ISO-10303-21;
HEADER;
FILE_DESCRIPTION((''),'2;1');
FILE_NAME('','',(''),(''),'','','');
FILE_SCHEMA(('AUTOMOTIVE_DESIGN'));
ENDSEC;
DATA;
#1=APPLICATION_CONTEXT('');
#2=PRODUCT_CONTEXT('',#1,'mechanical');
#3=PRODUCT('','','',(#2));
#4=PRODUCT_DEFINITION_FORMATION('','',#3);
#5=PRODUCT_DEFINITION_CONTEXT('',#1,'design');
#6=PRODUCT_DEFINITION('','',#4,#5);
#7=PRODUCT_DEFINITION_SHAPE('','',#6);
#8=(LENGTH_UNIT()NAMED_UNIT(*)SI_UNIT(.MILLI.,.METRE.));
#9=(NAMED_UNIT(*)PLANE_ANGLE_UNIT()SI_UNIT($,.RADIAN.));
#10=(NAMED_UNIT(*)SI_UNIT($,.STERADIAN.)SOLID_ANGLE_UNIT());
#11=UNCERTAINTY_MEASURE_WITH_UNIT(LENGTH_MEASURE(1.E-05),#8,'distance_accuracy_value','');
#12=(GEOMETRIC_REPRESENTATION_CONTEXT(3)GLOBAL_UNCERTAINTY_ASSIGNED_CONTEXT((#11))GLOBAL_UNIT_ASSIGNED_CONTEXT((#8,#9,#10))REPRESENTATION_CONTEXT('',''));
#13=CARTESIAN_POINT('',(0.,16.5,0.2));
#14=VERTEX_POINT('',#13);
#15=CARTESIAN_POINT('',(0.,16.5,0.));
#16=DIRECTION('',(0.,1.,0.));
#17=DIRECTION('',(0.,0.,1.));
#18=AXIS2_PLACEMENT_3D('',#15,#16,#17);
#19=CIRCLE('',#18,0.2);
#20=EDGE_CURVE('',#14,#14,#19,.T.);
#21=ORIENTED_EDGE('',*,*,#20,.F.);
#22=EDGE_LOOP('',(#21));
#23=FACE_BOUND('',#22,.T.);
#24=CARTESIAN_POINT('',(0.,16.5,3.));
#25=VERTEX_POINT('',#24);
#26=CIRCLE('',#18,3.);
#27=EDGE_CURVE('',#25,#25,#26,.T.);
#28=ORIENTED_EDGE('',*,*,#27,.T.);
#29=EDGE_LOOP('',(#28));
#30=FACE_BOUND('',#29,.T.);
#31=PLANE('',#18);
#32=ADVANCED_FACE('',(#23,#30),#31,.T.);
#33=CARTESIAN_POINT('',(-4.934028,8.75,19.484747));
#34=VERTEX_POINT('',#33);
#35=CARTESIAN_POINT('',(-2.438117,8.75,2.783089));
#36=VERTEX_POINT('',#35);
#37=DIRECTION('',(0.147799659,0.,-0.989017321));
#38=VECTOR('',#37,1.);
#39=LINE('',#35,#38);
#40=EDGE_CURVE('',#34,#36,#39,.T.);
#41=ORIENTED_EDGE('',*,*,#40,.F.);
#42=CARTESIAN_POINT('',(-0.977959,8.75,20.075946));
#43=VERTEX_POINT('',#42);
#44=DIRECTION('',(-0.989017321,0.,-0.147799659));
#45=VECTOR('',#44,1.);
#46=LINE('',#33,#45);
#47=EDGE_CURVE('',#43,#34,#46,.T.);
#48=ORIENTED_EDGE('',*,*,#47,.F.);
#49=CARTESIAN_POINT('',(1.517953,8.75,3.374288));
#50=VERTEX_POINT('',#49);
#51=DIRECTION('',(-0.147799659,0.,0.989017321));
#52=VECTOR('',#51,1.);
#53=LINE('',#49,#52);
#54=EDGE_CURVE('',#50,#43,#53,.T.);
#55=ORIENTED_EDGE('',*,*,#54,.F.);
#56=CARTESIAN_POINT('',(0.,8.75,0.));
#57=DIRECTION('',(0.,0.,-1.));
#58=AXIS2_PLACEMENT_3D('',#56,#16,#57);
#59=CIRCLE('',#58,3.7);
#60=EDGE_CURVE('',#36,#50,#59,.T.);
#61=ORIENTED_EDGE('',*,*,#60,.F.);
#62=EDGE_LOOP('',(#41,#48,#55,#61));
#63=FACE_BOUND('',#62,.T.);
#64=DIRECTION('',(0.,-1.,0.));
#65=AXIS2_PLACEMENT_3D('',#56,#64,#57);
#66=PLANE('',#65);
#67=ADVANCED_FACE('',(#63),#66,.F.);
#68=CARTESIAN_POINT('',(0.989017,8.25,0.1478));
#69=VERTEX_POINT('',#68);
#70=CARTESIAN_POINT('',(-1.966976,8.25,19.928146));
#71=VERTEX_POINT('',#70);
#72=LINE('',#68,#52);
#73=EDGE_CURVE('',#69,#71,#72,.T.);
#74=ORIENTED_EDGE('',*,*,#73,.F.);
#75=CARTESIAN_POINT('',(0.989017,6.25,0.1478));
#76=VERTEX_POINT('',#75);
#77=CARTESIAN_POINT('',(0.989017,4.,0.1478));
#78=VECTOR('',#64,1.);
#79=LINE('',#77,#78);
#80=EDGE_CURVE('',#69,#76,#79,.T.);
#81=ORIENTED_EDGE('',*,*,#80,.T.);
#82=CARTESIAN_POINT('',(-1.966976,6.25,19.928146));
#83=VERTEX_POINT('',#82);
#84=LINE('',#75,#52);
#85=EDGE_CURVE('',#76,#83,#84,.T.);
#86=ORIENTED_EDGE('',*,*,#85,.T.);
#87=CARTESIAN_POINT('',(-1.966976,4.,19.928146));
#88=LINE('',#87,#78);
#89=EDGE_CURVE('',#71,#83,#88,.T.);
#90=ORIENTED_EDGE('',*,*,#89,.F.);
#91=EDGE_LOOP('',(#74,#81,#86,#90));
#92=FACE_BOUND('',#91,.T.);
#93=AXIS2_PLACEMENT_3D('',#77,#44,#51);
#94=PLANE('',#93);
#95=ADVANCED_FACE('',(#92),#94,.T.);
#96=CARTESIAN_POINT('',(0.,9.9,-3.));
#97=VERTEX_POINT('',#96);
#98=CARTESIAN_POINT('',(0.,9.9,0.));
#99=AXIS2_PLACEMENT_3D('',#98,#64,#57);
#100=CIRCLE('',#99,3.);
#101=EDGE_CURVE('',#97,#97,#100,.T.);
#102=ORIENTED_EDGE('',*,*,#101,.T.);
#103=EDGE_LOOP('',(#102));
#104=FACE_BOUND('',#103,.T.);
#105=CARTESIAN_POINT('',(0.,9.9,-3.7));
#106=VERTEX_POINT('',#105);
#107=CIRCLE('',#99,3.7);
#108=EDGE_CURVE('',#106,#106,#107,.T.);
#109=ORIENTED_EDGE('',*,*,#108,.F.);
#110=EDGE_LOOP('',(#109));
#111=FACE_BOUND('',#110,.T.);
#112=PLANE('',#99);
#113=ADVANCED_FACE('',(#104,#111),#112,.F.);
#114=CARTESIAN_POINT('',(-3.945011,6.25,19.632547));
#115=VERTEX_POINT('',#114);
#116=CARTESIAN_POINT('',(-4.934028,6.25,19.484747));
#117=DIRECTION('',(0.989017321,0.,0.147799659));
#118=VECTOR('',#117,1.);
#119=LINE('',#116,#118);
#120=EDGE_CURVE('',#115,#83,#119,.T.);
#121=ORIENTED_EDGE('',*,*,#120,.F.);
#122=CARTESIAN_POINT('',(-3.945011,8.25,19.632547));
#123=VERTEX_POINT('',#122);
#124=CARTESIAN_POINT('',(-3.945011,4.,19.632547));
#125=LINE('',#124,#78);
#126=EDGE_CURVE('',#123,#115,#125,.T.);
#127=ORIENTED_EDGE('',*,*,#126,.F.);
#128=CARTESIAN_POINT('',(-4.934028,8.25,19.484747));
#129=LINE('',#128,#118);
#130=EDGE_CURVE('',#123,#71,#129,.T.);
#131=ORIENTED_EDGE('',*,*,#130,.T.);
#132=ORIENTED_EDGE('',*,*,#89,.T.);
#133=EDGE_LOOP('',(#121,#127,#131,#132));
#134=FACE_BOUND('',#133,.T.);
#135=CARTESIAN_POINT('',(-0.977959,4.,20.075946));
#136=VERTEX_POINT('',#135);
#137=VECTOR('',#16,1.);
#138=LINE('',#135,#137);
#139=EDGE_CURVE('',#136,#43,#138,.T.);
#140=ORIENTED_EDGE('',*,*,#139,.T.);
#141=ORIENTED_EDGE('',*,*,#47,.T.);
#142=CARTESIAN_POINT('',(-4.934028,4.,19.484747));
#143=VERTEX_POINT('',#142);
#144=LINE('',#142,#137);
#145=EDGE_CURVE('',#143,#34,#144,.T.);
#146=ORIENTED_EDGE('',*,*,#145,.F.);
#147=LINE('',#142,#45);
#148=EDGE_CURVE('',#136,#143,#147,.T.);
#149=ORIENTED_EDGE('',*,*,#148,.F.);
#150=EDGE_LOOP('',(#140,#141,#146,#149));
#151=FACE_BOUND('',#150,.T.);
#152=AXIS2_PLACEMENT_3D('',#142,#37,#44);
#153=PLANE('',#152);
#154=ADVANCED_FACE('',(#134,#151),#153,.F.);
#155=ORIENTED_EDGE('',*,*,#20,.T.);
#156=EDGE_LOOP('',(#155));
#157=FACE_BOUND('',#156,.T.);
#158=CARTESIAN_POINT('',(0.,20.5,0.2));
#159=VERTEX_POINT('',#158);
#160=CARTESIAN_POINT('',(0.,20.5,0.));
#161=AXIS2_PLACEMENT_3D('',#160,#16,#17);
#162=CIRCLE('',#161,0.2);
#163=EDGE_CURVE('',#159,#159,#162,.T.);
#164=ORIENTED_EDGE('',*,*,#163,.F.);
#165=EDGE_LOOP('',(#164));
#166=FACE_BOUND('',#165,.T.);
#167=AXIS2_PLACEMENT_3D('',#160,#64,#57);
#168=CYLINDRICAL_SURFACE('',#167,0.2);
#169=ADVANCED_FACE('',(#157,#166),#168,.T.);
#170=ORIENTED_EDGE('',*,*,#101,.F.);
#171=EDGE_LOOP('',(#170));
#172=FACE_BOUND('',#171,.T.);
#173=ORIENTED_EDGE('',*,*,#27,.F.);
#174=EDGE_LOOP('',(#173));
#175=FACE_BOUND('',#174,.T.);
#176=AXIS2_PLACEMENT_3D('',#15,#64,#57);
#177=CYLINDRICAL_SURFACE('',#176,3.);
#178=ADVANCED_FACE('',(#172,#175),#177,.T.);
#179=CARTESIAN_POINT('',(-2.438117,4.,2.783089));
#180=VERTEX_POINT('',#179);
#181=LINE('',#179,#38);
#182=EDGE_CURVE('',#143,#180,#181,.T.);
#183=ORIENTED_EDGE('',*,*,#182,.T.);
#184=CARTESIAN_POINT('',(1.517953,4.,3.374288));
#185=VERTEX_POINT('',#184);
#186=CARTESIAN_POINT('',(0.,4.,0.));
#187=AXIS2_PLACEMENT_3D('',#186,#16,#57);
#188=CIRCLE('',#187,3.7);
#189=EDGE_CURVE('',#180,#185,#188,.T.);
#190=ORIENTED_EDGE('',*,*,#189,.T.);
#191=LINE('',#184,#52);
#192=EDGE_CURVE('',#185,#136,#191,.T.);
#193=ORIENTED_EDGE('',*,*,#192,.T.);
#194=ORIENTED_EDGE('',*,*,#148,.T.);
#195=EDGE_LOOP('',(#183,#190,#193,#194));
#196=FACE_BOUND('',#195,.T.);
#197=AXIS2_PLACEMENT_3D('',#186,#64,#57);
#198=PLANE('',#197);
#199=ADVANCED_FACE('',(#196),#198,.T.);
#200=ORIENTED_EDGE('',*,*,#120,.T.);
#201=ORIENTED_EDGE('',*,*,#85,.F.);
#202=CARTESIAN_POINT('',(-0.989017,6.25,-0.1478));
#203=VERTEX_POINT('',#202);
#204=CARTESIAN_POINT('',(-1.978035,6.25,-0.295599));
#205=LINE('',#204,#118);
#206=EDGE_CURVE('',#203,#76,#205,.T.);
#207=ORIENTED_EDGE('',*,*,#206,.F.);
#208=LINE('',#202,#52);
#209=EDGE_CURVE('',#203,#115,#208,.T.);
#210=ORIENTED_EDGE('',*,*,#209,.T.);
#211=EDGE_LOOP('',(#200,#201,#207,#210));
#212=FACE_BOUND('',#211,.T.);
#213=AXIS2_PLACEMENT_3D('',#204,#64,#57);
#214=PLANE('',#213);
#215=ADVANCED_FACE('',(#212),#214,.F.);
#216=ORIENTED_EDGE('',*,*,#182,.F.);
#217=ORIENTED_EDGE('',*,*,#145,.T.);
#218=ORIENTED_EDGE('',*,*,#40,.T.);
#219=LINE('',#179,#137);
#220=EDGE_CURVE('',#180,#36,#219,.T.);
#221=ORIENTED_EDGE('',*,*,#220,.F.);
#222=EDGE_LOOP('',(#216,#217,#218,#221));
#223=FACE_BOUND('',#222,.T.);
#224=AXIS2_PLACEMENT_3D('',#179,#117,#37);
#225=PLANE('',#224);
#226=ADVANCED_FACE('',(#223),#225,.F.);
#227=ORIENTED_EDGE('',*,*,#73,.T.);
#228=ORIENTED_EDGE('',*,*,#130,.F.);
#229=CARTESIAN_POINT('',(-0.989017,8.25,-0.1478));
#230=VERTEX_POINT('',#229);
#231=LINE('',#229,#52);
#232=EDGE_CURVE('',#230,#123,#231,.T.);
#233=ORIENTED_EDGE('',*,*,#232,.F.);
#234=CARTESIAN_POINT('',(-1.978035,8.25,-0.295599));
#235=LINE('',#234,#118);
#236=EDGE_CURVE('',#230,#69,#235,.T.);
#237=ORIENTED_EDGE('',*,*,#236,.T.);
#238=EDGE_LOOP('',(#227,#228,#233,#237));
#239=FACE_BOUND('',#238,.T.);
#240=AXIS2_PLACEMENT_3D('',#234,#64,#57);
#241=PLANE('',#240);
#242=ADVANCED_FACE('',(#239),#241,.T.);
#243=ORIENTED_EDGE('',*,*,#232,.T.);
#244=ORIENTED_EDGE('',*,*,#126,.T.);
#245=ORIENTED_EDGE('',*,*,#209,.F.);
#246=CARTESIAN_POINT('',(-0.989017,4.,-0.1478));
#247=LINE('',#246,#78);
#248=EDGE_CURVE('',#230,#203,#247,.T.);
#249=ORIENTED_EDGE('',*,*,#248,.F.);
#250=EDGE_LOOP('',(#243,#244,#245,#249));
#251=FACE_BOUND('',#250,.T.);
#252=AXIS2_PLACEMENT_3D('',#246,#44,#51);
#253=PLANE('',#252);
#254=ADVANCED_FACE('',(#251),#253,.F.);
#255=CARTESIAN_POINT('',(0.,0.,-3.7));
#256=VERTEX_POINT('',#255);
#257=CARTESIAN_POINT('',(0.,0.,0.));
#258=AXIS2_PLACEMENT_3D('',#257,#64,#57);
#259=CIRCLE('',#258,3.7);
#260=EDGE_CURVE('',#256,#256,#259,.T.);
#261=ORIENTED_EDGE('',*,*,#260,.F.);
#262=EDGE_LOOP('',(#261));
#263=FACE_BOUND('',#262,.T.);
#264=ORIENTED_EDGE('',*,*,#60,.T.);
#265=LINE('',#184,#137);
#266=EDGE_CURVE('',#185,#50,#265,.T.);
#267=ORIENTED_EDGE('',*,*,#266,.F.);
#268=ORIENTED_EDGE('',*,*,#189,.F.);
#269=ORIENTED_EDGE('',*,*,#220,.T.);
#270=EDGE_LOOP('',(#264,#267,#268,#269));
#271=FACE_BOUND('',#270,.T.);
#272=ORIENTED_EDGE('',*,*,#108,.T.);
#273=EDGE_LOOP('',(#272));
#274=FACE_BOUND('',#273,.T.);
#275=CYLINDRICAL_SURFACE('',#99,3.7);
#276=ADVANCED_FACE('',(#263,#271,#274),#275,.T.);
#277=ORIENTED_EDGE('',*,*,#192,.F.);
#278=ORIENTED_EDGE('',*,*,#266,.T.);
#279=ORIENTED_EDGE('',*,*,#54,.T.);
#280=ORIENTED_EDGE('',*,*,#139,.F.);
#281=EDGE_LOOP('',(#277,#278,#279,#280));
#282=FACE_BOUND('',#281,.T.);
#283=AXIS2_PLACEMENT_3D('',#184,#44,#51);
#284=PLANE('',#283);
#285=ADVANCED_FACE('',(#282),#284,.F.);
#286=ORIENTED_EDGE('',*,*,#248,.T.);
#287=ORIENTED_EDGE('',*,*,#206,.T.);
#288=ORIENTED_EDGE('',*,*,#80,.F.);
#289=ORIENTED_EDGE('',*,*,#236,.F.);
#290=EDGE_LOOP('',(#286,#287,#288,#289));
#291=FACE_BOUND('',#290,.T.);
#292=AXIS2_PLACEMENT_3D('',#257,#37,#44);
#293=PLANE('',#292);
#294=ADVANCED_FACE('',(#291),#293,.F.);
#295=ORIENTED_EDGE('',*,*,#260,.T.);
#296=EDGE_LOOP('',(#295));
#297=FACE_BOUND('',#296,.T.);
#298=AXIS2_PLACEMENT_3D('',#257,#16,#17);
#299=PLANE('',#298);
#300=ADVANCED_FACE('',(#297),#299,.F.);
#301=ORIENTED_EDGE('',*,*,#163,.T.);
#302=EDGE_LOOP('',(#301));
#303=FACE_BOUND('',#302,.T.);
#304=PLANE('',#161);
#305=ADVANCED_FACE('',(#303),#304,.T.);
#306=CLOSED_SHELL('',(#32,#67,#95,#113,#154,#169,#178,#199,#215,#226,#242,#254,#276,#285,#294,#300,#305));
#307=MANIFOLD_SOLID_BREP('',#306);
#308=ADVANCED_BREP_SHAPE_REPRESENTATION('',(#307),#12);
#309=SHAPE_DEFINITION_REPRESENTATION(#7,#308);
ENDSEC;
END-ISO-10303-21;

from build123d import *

# Parameters (mm, degrees)
SKETCH1_R           = 3
BOSS_EXTRUDE1_DEPTH = 16.5
SKETCH2_R           = 3.7
BOSS_EXTRUDE2_DEPTH = 9.9
BOSS_EXTRUDE3_START = -8.75
BOSS_EXTRUDE3_DEPTH = 4.75
SKETCH4_R           = 0.2
BOSS_EXTRUDE4_DEPTH = 4
SKETCH5_W           = 2
SKETCH5_H           = 2
CUT_EXTRUDE1_DEPTH  = 20


with BuildPart() as part:
    # Sketch1 → Boss-Extrude1 (new body)
    with BuildSketch(Plane(origin=(0, 0, 0), x_dir=(1, 0, 0), z_dir=(0, 1, 0))):
        Circle(SKETCH1_R)
    extrude(amount=BOSS_EXTRUDE1_DEPTH)

    # Sketch2 → Boss-Extrude2 (add)
    with BuildSketch(Plane.XZ):
        Circle(SKETCH2_R)
    extrude(amount=-BOSS_EXTRUDE2_DEPTH)

    # Sketch3 → Boss-Extrude3 (add)
    with BuildSketch(Plane.XZ.offset(BOSS_EXTRUDE3_START)):
        with BuildLine():
            Line((-2.438116725, 2.783089441), (-4.934027826, 19.484747096))
            Line((-4.934027826, 19.484747096), (-0.977958543, 20.075945733))
            Line((-0.977958543, 20.075945733), (1.517952558, 3.374288078))
            ThreePointArc((1.517952558, 3.374288078), (-0.546858739, 3.659364087), (-2.438116725, 2.783089441))
        make_face()
    extrude(amount=BOSS_EXTRUDE3_DEPTH)

    # Sketch4 → Boss-Extrude4 (add)
    with BuildSketch(Plane(origin=(0, 16.5, 0), x_dir=(1, 0, 0), z_dir=(0, 1, 0))):
        Circle(SKETCH4_R)
    extrude(amount=BOSS_EXTRUDE4_DEPTH)

    # Sketch5 → Cut-Extrude1 (cut)
    with BuildSketch(Plane(origin=(-2.955993184, 0, 19.780346415), x_dir=(0.989017321, 0, 0.147799659), z_dir=(-0.147799659, 0, 0.989017321))):
        with Locations((0, 7.25)):
            Rectangle(SKETCH5_W, SKETCH5_H)
    extrude(amount=-CUT_EXTRUDE1_DEPTH, mode=Mode.SUBTRACT)


solid = part.part
